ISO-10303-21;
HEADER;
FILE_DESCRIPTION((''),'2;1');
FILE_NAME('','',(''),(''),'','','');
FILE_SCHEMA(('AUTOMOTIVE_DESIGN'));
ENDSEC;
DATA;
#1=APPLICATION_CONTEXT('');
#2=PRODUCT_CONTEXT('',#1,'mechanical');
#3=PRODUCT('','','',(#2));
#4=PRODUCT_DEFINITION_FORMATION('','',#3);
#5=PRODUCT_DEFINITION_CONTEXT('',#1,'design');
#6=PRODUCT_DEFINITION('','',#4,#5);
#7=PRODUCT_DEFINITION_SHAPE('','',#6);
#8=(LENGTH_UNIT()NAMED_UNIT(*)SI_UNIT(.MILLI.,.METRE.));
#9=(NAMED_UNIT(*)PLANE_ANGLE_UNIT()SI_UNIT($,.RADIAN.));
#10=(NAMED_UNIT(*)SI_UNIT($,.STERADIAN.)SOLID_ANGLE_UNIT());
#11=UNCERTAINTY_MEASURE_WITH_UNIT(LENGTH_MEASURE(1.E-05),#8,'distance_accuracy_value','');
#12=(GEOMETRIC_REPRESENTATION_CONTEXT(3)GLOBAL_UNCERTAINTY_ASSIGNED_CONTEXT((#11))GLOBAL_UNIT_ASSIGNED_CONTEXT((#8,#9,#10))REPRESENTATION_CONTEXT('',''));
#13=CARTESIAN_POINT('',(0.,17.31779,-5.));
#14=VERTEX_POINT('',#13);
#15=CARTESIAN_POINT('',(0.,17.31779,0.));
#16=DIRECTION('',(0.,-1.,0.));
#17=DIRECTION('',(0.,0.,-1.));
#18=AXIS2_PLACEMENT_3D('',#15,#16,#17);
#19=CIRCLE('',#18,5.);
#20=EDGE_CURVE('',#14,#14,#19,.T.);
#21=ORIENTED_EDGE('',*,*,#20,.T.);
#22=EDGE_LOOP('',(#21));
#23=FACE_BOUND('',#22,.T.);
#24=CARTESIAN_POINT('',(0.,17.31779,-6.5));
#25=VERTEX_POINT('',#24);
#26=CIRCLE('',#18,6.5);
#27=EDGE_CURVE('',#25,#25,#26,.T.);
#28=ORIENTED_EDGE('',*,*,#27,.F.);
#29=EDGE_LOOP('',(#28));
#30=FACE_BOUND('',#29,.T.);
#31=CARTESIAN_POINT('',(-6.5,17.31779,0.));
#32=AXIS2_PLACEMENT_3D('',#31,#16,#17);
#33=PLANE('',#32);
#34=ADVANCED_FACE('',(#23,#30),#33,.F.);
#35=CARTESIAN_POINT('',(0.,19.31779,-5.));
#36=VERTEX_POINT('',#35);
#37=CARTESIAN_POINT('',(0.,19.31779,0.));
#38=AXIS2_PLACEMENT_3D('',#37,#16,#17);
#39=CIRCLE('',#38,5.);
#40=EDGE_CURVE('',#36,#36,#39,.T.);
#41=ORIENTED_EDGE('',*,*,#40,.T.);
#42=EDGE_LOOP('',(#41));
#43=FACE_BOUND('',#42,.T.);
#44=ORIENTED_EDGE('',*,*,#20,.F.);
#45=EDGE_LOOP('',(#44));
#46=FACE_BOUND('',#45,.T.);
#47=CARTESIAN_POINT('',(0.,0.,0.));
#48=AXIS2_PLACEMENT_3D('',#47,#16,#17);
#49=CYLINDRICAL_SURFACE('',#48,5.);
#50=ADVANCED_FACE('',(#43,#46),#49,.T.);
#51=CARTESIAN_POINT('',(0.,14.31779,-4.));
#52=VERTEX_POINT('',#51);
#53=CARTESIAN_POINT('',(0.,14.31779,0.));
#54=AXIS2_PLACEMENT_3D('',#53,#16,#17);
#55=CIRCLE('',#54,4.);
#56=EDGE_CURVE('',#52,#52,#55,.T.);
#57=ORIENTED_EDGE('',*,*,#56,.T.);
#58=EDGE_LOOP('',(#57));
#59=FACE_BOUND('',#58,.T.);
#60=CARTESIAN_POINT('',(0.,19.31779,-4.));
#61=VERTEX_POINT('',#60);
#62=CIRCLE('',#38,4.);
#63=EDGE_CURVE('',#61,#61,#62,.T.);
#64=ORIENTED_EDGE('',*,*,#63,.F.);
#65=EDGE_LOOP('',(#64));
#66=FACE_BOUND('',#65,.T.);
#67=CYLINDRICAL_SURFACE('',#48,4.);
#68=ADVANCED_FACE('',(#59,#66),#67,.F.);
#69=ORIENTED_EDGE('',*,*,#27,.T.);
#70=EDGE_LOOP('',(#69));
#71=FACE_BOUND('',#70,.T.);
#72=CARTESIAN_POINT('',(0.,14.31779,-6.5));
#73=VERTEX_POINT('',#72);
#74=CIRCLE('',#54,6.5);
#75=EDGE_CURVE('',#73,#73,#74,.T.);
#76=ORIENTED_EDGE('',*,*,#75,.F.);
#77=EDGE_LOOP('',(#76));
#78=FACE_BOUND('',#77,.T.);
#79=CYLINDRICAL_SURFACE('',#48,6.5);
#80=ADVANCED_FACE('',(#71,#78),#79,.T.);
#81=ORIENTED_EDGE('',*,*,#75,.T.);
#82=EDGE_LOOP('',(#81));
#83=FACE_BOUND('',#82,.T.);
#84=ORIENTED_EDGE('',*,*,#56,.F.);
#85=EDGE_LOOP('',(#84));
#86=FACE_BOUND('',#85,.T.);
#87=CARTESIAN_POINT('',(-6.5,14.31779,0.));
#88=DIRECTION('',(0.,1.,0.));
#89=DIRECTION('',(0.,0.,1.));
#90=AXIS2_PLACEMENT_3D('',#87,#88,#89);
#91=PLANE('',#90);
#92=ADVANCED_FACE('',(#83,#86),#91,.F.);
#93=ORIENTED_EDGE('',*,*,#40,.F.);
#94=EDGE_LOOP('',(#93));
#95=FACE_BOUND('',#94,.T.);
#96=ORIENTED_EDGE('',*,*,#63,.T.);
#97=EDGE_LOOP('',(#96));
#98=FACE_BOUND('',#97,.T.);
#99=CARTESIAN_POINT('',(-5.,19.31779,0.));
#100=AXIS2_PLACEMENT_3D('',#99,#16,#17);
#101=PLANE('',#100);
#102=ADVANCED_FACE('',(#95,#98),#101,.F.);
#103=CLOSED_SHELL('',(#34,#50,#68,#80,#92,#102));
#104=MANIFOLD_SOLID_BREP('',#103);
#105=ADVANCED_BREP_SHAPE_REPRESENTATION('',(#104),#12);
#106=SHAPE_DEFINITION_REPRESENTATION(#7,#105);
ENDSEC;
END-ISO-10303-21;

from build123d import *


with BuildPart() as part:
    # Schizzo1 → Rivoluzione1 (revolve)
    with BuildSketch(Plane.XY, mode=Mode.PRIVATE) as rivoluzione1_sk:
        Polygon((-6.5, 14.317789702), (-4, 14.317789702), (-4, 19.317789702), (-5, 19.317789702), (-5, 17.317789702), (-6.5, 17.317789702), align=None)
    revolve(rivoluzione1_sk.sketch.rotate(Axis((0, 0, 0), (0, 1, 0)), 270), axis=Axis((0, 0, 0), (0, 1, 0)))


solid = part.part
